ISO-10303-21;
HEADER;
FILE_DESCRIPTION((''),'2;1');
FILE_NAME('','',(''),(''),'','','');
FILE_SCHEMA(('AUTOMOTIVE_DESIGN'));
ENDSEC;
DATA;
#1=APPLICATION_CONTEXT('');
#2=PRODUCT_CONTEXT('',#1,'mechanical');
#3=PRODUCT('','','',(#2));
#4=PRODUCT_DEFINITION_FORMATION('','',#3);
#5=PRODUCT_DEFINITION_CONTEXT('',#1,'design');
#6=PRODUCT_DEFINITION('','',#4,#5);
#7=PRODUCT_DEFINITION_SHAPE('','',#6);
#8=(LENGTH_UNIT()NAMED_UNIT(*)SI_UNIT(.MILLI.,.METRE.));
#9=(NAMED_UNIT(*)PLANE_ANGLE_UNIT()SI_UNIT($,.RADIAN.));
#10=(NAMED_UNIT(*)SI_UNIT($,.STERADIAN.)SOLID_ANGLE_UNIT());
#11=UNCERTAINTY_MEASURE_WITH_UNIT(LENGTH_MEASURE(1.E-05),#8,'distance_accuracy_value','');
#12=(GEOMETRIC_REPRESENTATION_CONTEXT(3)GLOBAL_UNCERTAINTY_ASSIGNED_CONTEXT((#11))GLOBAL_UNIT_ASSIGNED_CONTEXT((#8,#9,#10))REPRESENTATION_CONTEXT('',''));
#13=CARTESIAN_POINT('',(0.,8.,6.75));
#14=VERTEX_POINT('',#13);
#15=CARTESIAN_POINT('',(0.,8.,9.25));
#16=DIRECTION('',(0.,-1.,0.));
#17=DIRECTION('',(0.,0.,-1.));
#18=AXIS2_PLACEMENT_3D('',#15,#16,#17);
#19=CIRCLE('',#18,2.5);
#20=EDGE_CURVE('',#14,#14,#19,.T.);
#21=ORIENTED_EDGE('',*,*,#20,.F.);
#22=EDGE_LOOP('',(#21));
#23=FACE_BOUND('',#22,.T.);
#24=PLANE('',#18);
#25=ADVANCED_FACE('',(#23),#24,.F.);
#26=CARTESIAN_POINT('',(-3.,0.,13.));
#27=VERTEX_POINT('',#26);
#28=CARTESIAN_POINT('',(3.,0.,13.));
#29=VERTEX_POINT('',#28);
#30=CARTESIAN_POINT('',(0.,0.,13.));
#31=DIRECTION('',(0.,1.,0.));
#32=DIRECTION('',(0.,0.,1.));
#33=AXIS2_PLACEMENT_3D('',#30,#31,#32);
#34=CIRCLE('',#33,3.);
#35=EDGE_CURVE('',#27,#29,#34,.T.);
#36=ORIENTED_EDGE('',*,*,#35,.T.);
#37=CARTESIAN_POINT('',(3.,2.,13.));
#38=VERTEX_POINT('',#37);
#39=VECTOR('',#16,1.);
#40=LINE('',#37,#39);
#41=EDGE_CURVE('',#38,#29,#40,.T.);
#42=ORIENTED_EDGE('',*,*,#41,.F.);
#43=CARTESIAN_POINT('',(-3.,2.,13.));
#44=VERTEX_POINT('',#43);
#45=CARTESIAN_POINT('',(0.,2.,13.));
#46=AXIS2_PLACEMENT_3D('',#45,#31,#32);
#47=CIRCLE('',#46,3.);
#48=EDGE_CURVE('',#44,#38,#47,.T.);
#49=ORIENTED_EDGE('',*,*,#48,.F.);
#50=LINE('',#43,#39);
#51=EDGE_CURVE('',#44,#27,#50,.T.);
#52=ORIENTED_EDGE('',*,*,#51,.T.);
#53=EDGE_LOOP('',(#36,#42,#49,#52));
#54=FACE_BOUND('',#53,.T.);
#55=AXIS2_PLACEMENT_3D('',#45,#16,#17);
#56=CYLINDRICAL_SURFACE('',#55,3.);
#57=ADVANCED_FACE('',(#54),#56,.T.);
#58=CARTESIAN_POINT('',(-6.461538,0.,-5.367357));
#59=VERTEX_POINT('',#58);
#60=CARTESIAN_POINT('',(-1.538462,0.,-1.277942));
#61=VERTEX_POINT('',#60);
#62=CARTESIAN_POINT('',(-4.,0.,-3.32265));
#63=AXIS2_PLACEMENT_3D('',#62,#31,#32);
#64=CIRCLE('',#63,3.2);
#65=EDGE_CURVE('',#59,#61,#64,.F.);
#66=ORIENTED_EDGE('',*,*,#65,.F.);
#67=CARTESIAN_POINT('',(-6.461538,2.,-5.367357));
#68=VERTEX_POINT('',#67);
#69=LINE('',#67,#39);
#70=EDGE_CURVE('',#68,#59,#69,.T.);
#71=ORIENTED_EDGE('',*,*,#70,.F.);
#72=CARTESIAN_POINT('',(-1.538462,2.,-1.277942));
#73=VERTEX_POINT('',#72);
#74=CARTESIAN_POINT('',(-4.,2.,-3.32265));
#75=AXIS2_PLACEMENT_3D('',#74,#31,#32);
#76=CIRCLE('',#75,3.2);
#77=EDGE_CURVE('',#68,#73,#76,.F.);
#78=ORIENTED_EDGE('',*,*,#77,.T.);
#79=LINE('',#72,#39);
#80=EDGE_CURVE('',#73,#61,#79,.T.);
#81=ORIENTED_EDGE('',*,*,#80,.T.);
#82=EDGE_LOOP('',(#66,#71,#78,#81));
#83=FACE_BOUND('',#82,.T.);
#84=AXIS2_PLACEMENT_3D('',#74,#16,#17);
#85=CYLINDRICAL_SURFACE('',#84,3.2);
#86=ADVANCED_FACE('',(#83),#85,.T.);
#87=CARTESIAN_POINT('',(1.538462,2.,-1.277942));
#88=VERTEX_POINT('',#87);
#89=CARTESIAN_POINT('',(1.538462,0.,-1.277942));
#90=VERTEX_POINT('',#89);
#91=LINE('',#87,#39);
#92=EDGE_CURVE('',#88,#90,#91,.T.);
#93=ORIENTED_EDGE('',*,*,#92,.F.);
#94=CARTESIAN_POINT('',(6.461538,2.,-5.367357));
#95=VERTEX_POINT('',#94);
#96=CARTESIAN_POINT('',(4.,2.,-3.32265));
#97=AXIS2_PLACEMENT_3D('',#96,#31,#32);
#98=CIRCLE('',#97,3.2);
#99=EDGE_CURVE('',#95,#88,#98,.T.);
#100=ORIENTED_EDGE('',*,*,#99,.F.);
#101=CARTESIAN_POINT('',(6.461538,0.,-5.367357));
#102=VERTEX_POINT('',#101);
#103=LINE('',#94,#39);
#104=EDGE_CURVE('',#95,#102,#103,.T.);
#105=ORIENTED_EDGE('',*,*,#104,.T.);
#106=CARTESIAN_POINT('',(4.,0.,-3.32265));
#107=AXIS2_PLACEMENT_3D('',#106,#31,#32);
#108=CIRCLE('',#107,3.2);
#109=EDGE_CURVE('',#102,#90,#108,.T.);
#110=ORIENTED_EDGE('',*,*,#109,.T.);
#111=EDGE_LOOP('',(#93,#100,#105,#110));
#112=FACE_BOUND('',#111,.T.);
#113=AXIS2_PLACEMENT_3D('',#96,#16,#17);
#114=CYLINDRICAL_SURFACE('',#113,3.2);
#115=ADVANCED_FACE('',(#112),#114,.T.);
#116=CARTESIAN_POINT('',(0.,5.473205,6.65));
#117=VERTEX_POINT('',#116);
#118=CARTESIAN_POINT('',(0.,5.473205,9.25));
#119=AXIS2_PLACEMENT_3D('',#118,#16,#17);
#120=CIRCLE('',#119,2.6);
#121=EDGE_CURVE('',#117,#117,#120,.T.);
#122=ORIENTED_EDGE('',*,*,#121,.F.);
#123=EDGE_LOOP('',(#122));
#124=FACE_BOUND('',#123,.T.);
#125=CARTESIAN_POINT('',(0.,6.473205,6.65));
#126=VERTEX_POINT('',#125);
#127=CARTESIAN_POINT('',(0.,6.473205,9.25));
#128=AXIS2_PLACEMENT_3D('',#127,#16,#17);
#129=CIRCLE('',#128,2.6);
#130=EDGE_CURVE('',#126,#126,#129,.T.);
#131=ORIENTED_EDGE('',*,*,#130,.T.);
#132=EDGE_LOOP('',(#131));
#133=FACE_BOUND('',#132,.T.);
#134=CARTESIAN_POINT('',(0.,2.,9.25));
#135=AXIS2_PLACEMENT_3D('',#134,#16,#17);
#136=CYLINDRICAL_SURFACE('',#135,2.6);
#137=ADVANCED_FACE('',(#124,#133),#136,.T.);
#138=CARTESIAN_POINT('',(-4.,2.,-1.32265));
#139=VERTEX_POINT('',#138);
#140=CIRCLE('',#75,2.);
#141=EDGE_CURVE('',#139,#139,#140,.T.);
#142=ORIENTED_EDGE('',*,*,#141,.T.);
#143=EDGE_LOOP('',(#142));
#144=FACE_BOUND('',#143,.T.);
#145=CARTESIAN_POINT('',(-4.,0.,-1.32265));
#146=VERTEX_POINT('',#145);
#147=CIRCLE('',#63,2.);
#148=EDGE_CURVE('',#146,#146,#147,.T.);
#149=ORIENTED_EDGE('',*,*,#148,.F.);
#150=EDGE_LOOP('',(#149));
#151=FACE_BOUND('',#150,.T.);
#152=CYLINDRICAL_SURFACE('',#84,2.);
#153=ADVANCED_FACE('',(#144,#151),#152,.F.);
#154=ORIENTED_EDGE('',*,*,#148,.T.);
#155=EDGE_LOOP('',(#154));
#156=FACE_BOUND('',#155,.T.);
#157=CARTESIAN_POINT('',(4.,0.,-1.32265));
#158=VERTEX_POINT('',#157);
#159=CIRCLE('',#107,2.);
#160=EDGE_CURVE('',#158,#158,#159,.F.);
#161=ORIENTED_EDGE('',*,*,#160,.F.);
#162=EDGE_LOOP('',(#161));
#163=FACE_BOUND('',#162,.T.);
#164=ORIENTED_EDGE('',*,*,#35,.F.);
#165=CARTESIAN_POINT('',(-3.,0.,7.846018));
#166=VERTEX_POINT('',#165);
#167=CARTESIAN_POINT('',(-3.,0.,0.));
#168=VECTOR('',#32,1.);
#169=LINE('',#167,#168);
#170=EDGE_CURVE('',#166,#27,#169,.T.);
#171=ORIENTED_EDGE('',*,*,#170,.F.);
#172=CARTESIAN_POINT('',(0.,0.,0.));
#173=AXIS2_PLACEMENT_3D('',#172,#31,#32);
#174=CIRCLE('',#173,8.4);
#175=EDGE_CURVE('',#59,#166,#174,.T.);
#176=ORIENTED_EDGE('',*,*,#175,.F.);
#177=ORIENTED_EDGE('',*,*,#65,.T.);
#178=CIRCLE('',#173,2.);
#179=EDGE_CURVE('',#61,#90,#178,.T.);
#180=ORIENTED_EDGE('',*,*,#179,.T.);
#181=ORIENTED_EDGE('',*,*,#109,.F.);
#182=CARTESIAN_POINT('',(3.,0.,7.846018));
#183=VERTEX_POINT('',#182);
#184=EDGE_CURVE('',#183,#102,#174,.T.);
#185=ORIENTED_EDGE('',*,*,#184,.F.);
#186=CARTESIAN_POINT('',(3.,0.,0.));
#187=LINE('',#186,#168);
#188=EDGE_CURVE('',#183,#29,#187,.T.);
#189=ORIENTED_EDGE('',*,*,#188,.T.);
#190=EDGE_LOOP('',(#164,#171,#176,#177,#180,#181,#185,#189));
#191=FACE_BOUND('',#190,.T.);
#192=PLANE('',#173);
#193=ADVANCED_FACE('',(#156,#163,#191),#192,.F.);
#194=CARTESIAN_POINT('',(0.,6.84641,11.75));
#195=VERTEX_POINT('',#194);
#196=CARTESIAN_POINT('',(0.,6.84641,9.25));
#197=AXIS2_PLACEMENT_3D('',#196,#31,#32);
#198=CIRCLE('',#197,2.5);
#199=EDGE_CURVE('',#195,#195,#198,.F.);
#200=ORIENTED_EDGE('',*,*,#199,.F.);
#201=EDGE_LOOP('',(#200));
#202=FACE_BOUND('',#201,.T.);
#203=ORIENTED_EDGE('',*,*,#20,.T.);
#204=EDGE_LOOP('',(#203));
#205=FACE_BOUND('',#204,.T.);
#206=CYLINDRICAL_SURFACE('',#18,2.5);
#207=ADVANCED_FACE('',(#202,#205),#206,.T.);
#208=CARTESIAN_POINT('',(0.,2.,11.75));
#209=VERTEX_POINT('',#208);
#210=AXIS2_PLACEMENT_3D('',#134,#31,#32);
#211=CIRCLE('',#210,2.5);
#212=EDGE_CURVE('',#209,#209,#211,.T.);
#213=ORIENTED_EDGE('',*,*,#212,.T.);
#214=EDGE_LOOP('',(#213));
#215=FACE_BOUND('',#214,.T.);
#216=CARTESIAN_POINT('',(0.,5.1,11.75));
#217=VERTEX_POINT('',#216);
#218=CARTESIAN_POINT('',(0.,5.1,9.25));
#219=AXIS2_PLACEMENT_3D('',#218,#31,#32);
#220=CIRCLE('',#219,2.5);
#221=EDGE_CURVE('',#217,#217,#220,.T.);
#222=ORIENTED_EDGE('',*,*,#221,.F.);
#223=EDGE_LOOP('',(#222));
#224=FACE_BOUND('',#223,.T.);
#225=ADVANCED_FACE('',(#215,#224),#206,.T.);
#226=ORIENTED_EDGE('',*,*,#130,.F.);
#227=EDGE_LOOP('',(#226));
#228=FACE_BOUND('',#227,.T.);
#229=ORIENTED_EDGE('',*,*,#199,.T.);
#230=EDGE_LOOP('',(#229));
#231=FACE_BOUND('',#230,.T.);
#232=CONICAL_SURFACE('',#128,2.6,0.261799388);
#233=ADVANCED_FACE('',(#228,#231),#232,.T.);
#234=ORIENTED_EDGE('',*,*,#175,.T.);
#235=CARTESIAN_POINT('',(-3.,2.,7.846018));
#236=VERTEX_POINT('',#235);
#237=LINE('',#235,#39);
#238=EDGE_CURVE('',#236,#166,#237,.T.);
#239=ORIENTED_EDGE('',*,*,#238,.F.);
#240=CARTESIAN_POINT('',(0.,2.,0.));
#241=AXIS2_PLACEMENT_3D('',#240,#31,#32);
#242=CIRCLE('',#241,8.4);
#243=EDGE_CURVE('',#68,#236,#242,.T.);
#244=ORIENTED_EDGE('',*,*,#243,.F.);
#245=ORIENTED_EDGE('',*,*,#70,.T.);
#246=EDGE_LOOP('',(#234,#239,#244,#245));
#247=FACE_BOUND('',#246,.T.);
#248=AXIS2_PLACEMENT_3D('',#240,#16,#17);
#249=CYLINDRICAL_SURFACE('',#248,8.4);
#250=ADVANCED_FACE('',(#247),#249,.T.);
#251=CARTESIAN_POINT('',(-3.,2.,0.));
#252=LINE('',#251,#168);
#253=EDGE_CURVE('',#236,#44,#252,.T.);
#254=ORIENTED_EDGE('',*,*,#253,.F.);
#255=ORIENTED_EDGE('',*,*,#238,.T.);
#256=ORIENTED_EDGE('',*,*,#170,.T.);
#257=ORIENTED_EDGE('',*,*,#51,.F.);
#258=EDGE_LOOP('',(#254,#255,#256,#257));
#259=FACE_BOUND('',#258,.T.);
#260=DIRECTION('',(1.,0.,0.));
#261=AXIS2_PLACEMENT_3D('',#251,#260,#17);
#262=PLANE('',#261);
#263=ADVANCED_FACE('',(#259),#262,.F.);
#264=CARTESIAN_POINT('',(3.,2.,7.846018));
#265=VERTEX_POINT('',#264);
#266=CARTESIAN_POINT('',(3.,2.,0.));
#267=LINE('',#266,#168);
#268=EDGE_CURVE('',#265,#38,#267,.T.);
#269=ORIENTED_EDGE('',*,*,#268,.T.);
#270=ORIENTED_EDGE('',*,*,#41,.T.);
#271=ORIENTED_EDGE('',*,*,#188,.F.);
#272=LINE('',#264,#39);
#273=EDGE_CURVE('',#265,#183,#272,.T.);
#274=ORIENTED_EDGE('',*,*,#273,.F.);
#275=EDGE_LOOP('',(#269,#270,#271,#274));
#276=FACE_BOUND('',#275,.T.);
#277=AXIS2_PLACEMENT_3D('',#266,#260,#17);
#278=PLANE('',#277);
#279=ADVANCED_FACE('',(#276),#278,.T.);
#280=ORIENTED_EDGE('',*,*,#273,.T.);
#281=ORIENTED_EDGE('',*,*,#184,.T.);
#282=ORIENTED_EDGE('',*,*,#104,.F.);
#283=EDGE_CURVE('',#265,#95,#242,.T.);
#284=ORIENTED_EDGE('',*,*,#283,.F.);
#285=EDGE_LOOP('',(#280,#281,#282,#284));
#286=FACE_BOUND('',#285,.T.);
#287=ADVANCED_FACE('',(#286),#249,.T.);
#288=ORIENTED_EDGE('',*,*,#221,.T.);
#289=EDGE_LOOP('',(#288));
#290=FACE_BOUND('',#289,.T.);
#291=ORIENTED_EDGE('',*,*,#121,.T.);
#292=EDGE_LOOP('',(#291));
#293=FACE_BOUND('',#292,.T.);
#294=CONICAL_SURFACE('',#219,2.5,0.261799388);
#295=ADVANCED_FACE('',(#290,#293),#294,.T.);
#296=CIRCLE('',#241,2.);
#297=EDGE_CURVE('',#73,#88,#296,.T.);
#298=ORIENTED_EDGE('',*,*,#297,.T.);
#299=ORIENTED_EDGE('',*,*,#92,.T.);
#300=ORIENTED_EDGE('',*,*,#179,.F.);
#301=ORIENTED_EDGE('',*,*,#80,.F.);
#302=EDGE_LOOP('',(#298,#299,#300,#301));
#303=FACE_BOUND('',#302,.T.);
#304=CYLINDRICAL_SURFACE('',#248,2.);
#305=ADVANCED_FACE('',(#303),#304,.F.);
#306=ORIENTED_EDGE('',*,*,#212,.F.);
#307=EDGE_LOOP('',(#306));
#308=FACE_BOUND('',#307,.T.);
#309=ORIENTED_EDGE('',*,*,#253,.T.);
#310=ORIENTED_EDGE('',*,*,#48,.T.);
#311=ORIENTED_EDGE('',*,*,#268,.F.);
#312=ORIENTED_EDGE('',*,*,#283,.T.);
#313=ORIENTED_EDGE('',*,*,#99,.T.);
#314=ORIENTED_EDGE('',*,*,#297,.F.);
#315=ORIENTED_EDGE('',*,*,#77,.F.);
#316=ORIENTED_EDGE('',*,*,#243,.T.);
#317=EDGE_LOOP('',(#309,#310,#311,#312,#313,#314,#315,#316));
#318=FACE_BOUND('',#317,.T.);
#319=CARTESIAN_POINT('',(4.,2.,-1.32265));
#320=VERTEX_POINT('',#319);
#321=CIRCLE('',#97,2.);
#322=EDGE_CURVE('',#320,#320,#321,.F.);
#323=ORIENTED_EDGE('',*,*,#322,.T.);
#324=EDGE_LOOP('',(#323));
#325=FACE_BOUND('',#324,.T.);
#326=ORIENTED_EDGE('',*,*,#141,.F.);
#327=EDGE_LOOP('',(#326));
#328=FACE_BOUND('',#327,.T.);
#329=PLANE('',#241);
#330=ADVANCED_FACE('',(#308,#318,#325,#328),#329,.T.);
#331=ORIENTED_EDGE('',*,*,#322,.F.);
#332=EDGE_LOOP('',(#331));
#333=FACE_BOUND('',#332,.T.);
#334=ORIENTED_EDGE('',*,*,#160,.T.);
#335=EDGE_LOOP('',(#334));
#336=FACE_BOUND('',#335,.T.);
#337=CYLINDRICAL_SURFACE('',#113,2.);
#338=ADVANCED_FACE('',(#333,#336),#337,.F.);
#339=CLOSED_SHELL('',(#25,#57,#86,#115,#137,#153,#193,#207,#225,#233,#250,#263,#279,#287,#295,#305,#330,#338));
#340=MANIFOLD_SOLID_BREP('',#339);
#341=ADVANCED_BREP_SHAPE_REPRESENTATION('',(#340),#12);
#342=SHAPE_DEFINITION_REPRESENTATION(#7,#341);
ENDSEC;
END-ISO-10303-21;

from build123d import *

# Parameters (mm, degrees)
SKETCH_1_R      = 2
EXTRUDE_1_DEPTH = 2
SKETCH_2_R      = 2.5
EXTRUDE_2_DEPTH = 8


with BuildPart() as part:
    # 草图1 → 凸台-拉伸1 (new body)
    with BuildSketch(Plane(origin=(0, 0, 0), x_dir=(1, 0, 0), z_dir=(0, 1, 0))):
        with BuildLine():
            Line((3, -7.846018098), (3, -13))
            ThreePointArc((3, -13), (0, -16), (-3, -13))
            Line((-3, -13), (-3, -7.846018098))
            ThreePointArc((-3, -7.846018098), (-8.125792122, -2.128732579), (-6.461538462, 5.367356958))
            ThreePointArc((-6.461538462, 5.367356958), (-1.955292588, 5.784188007), (-1.538461538, 1.277942133))
            ThreePointArc((-1.538461538, 1.277942133), (0, -2), (1.538461538, 1.277942133))
            ThreePointArc((1.538461538, 1.277942133), (1.955292588, 5.784188007), (6.461538462, 5.367356958))
            ThreePointArc((6.461538462, 5.367356958), (8.125792122, -2.128732579), (3, -7.846018098))
        make_face()
        with Locations(Location((-4, 3.322649545, 0), (0, 0, 270))):
            Circle(SKETCH_1_R, mode=Mode.SUBTRACT)
        with Locations(Location((4, 3.322649545, 0), (0, 0, 270))):
            Circle(SKETCH_1_R, mode=Mode.SUBTRACT)
    extrude(amount=EXTRUDE_1_DEPTH)

    # 草图2 → 凸台-拉伸2 (add)
    with BuildSketch(Plane.XZ):
        with Locations(Location((0, 9.25, 0), (0, 0, 270))):
            Circle(SKETCH_2_R)
    extrude(amount=-EXTRUDE_2_DEPTH)

    # 草图7 → 旋转3 (revolve)
    with BuildSketch(Plane(origin=(0, 0, 11.498467043), x_dir=(0, 0, 1), z_dir=(-1, 0, 0)), mode=Mode.PRIVATE) as revolve_3_sk:
        Polygon((-2.248467043, 5.1), (0.251532957, 5.1), (0.351532957, 5.473205081), (0.351532957, 6.473205081), (0.251532957, 6.846410162), (-2.248467043, 6.846410162), align=None)
    revolve(revolve_3_sk.sketch.rotate(Axis((0, 2, 9.25), (0, 1, 0)), 180), axis=Axis((0, 2, 9.25), (0, 1, 0)))


solid = part.part
